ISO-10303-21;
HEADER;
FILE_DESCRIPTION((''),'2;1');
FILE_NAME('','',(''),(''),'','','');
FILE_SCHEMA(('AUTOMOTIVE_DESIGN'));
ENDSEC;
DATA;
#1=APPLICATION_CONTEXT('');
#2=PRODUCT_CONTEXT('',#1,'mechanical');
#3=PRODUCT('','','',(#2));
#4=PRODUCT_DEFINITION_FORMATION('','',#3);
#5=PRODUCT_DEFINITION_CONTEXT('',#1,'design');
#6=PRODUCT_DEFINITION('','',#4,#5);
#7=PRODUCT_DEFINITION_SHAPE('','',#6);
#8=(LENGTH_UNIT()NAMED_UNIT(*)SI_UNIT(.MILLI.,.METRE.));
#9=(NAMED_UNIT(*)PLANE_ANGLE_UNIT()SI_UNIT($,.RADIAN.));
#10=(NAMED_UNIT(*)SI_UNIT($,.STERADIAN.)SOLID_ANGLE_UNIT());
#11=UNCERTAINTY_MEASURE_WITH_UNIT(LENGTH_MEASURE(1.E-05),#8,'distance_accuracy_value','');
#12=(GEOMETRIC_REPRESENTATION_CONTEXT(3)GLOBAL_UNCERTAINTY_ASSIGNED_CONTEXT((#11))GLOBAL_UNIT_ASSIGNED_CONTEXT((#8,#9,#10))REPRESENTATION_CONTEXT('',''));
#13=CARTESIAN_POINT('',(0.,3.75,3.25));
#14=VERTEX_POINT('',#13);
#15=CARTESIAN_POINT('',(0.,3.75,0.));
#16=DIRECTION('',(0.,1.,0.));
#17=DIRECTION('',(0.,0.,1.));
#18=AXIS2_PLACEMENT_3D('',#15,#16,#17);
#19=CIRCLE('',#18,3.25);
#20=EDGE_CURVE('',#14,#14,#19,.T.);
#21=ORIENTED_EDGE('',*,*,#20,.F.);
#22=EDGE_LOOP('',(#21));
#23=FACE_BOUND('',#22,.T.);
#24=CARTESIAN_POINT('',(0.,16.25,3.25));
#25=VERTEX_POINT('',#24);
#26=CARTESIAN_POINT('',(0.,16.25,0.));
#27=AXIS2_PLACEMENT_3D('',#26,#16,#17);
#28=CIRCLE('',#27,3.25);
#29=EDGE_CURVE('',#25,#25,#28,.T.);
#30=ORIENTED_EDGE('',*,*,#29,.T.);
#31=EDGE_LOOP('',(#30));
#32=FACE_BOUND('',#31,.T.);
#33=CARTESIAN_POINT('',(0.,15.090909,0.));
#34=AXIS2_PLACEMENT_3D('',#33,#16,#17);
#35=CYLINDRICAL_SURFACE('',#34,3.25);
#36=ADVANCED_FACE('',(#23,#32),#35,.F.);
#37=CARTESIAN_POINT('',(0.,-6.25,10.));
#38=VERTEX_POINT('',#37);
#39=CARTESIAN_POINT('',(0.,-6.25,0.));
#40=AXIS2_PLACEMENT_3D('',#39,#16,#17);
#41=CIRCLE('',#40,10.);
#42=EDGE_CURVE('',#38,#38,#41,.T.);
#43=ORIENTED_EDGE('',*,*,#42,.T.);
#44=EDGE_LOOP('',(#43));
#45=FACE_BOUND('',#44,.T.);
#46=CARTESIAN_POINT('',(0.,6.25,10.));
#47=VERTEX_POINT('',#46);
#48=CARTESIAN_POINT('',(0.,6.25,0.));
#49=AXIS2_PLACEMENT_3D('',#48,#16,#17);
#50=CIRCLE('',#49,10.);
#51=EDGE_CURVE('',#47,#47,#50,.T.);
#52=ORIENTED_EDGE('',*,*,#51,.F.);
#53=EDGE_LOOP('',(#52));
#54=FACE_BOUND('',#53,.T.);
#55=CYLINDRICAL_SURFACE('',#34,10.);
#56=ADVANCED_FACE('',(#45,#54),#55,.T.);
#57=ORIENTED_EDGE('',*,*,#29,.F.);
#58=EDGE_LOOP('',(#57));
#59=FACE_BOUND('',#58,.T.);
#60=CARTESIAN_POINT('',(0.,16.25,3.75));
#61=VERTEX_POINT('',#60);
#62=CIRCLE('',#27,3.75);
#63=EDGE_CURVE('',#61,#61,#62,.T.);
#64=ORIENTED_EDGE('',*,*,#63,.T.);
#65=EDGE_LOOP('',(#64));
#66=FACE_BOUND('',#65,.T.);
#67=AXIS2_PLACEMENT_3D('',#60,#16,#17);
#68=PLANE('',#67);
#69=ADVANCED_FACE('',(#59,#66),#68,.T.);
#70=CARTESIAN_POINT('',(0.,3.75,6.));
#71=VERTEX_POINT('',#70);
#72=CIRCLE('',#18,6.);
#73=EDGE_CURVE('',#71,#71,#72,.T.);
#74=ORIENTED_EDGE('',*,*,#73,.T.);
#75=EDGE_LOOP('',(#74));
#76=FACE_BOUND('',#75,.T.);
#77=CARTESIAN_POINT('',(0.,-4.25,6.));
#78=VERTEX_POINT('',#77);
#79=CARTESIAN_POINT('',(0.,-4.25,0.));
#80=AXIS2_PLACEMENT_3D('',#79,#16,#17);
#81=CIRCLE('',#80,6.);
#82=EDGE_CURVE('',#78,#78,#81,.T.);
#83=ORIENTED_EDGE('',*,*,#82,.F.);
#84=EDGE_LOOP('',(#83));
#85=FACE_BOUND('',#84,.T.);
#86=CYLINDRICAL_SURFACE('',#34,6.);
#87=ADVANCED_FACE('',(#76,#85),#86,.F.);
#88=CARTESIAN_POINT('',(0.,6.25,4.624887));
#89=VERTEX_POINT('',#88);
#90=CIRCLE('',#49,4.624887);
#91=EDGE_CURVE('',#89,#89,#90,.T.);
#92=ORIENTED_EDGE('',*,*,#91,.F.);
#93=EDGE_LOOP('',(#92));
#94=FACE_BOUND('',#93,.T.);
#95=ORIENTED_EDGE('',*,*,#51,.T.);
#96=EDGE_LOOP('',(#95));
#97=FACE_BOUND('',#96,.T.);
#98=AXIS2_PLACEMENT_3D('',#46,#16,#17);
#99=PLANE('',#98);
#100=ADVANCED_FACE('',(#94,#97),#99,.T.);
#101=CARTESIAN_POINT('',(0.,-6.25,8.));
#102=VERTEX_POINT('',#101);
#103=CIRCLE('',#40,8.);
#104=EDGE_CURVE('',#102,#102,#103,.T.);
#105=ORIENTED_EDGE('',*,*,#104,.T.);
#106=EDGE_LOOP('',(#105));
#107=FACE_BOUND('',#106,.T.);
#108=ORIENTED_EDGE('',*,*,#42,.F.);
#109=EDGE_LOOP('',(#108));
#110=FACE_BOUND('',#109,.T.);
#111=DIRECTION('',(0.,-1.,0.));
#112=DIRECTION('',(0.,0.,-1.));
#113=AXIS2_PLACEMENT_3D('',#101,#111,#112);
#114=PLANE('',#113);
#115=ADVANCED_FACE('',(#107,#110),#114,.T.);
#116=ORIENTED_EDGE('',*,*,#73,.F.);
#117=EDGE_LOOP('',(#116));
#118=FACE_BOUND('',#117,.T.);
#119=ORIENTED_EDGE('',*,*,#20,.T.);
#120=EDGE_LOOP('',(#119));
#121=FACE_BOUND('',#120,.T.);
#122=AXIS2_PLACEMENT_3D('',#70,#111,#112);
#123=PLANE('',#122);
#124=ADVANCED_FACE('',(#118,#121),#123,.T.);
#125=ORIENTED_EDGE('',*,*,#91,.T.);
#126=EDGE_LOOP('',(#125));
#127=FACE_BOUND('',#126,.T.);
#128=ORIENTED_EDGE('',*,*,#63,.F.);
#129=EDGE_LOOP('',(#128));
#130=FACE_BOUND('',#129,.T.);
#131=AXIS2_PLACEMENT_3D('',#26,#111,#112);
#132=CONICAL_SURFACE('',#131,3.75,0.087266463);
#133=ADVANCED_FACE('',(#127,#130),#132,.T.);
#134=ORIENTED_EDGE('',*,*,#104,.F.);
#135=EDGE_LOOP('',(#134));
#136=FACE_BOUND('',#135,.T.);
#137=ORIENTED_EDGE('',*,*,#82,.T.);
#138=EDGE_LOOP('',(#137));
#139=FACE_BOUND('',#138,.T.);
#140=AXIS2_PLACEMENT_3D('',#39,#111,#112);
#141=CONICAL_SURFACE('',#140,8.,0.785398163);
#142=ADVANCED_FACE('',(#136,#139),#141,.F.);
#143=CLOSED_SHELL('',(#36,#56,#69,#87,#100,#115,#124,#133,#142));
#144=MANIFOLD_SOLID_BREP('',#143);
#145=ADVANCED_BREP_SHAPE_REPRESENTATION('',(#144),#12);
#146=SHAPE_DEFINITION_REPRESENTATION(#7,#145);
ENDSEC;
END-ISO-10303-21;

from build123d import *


with BuildPart() as part:
    # Sketch1 → Revolve1 (revolve)
    with BuildSketch(Plane(origin=(0, 0, 0), x_dir=(0, 0, -1), z_dir=(1, 0, 0))):
        Polygon((-6, 3.75), (-6, -4.25), (-8, -6.25), (-10, -6.25), (-10, 6.25), (-4.624886635, 6.25), (-3.75, 16.25), (-3.25, 16.25), (-3.25, 3.75), align=None)
    revolve(axis=Axis((0, 15.090909091, 0), (0, -1, 0)))


solid = part.part
